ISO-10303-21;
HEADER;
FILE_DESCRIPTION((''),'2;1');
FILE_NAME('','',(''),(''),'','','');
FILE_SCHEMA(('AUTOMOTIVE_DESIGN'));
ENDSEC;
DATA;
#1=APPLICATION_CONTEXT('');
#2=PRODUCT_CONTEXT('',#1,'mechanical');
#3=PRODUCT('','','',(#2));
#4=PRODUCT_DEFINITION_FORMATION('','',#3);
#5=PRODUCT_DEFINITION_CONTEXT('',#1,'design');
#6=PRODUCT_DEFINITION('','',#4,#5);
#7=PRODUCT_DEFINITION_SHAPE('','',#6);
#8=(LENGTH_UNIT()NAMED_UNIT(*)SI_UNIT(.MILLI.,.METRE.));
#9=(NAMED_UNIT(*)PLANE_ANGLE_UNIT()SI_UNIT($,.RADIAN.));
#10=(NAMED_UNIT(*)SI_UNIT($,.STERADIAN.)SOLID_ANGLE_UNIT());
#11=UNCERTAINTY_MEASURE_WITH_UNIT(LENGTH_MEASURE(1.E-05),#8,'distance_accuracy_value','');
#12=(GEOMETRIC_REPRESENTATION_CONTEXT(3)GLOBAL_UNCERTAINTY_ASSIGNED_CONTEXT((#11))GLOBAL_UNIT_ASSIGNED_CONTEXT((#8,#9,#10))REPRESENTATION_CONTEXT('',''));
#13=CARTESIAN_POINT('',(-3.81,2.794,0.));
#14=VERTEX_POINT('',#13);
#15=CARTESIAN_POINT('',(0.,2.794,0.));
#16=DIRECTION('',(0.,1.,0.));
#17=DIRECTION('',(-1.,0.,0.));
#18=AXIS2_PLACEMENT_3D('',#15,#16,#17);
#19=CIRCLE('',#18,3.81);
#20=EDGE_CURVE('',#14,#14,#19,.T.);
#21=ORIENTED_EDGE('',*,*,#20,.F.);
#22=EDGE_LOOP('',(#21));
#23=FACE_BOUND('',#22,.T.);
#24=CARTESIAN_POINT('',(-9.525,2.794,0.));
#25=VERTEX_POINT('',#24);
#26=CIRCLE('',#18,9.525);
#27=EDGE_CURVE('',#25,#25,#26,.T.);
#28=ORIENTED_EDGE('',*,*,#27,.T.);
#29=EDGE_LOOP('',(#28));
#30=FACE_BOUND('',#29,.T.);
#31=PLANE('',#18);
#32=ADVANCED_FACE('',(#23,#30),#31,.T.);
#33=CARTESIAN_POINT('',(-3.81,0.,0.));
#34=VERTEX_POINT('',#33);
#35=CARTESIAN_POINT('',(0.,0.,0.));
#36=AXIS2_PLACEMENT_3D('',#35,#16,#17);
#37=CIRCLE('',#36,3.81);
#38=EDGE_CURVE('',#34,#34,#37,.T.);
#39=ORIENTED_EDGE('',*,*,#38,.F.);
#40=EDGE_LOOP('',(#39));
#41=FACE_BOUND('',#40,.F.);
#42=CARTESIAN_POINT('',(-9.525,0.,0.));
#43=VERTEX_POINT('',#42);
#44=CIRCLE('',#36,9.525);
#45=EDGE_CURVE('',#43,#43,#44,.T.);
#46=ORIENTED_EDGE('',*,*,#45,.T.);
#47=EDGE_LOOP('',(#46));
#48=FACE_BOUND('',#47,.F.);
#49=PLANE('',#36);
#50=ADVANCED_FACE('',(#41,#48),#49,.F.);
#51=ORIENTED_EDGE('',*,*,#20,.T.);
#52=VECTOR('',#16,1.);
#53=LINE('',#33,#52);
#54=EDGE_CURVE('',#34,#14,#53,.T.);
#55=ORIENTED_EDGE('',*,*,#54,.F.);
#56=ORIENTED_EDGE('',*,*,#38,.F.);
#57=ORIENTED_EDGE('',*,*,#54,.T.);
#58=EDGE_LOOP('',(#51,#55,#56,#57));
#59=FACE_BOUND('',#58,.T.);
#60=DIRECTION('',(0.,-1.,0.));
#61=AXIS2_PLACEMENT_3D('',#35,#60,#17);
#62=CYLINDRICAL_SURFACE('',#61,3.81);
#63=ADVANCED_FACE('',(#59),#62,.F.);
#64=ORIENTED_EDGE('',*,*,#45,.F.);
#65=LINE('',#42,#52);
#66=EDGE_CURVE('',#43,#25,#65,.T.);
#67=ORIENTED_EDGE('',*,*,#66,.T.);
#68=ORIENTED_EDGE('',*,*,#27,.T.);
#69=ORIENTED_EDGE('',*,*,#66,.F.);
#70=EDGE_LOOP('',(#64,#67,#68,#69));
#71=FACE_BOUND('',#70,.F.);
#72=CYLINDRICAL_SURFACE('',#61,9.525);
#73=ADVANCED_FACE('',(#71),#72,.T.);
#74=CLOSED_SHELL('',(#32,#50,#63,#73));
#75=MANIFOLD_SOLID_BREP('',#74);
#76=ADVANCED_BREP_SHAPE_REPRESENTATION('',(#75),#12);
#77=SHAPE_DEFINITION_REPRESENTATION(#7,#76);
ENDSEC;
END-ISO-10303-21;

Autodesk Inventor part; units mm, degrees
ref_plane "YZ Plane" through (0, 0, 0) normal (1, 0, 0) x (0, 1, 0)
ref_plane "XZ Plane" through (0, 0, 0) normal (0, 1, 0) x (-1, 0, 0)
ref_plane "XY Plane" through (0, 0, 0) normal (0, 0, 1) x (1, 0, 0)
sketch "Sketch1" plane through (0, 0, 0) normal (0, 1, 0) x (-1, 0, 0)
  circle A0 centre (0, 0) radius 3.81
  circle A1 centre (0, 0) radius 9.525
  dimension "d0" = 7.62
  dimension "d1" = 19.05
extrude "Extrusion1" add sketch "Sketch1" along normal blind 2.794
properties part number "EL2-039" material "ABS Plastic"
